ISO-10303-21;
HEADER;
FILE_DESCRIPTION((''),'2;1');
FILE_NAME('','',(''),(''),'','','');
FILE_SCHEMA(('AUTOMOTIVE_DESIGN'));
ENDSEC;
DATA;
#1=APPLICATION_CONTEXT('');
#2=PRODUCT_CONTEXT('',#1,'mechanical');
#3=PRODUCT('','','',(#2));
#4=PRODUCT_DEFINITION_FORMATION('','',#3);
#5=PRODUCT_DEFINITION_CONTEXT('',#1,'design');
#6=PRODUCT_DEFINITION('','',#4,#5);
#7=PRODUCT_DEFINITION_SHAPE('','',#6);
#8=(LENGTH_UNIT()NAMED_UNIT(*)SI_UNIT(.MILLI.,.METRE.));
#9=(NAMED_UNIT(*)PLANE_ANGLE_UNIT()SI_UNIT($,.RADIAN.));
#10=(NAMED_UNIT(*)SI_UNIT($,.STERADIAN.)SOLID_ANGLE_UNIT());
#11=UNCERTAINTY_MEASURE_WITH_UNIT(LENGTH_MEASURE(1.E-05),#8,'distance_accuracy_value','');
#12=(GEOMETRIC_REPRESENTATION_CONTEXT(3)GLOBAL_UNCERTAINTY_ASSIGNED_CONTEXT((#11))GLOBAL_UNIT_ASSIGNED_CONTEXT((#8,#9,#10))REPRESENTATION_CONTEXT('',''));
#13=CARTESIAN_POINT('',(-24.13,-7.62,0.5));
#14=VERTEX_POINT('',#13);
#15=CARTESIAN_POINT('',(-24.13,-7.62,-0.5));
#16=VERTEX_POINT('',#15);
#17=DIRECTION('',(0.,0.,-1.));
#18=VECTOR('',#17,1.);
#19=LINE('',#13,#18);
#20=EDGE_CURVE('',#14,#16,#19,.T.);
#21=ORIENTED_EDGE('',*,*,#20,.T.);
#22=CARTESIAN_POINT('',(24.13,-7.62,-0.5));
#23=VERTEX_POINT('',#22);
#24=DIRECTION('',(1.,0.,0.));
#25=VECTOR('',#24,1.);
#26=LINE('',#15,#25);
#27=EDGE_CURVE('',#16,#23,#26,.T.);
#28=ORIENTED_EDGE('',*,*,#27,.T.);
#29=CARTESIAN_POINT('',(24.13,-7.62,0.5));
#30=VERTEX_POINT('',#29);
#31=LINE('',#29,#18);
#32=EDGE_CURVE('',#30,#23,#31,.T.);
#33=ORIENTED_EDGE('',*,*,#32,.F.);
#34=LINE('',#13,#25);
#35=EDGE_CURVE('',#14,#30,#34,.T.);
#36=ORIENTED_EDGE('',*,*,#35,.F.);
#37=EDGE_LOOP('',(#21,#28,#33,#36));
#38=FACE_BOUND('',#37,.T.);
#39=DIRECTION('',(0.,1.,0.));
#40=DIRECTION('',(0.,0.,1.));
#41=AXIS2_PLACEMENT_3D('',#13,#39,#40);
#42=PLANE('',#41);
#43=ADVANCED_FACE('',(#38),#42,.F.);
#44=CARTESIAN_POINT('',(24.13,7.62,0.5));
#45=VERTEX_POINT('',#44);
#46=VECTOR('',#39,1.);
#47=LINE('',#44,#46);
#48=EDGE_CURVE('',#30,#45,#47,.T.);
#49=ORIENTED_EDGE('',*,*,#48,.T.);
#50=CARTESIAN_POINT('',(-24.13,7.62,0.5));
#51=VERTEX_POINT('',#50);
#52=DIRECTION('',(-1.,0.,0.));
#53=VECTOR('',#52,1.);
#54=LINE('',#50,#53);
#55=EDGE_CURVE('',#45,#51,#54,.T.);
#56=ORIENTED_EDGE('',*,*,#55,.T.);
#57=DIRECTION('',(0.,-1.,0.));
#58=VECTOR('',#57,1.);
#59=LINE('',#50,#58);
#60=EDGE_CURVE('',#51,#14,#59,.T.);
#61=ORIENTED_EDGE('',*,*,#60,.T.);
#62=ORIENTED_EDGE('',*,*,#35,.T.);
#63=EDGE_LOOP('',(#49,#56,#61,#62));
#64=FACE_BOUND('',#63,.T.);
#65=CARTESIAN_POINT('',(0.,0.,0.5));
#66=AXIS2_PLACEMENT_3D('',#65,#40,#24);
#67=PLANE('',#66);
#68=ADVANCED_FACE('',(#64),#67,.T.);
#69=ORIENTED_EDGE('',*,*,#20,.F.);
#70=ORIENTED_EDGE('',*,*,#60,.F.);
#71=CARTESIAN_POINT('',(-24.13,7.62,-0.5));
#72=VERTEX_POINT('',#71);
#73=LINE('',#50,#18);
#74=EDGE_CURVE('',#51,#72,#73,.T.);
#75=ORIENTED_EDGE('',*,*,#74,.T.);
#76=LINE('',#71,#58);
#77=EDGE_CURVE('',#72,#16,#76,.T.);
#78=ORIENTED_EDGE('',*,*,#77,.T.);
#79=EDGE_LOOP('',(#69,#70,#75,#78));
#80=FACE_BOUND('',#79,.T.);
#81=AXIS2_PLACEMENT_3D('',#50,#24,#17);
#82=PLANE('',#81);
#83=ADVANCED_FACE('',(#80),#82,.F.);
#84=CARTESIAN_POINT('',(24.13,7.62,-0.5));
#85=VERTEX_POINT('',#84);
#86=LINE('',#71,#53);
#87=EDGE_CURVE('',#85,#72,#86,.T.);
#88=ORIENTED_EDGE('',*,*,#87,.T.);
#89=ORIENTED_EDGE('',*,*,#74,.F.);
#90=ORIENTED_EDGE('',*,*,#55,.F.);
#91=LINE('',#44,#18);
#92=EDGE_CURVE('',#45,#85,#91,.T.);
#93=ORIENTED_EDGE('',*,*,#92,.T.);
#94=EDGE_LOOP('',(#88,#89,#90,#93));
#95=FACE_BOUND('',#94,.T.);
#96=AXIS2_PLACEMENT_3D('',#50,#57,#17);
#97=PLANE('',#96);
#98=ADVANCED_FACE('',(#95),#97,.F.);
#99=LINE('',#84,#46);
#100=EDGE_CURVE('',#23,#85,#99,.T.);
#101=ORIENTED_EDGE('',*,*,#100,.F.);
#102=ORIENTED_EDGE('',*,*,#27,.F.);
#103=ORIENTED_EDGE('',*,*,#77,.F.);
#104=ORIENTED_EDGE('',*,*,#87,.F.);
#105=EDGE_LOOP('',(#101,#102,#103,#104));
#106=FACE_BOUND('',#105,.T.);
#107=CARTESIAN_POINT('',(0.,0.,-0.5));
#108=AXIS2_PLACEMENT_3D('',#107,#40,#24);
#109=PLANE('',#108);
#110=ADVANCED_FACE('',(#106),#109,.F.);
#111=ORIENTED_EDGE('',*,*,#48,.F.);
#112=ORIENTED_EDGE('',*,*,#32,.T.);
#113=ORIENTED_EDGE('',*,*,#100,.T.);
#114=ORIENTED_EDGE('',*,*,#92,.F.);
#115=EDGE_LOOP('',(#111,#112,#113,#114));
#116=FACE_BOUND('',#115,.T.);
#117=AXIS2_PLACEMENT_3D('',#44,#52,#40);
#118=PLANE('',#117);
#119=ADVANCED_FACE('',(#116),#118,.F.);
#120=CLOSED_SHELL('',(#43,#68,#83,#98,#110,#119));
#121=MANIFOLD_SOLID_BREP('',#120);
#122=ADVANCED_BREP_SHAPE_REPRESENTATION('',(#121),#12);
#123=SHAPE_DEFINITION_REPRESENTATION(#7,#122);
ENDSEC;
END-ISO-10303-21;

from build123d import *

# Parameters (mm, degrees)
CROQUIS1_W              = 48.26
CROQUIS1_H              = 15.24
SALIENTE_EXTRUIR1_DEPTH = 0.5


with BuildPart() as part:
    # Croquis1 → Saliente-Extruir1 (new, symmetric)
    with BuildSketch(Plane.XY):
        Rectangle(CROQUIS1_W, CROQUIS1_H)
    extrude(amount=SALIENTE_EXTRUIR1_DEPTH, both=True)


solid = part.part
